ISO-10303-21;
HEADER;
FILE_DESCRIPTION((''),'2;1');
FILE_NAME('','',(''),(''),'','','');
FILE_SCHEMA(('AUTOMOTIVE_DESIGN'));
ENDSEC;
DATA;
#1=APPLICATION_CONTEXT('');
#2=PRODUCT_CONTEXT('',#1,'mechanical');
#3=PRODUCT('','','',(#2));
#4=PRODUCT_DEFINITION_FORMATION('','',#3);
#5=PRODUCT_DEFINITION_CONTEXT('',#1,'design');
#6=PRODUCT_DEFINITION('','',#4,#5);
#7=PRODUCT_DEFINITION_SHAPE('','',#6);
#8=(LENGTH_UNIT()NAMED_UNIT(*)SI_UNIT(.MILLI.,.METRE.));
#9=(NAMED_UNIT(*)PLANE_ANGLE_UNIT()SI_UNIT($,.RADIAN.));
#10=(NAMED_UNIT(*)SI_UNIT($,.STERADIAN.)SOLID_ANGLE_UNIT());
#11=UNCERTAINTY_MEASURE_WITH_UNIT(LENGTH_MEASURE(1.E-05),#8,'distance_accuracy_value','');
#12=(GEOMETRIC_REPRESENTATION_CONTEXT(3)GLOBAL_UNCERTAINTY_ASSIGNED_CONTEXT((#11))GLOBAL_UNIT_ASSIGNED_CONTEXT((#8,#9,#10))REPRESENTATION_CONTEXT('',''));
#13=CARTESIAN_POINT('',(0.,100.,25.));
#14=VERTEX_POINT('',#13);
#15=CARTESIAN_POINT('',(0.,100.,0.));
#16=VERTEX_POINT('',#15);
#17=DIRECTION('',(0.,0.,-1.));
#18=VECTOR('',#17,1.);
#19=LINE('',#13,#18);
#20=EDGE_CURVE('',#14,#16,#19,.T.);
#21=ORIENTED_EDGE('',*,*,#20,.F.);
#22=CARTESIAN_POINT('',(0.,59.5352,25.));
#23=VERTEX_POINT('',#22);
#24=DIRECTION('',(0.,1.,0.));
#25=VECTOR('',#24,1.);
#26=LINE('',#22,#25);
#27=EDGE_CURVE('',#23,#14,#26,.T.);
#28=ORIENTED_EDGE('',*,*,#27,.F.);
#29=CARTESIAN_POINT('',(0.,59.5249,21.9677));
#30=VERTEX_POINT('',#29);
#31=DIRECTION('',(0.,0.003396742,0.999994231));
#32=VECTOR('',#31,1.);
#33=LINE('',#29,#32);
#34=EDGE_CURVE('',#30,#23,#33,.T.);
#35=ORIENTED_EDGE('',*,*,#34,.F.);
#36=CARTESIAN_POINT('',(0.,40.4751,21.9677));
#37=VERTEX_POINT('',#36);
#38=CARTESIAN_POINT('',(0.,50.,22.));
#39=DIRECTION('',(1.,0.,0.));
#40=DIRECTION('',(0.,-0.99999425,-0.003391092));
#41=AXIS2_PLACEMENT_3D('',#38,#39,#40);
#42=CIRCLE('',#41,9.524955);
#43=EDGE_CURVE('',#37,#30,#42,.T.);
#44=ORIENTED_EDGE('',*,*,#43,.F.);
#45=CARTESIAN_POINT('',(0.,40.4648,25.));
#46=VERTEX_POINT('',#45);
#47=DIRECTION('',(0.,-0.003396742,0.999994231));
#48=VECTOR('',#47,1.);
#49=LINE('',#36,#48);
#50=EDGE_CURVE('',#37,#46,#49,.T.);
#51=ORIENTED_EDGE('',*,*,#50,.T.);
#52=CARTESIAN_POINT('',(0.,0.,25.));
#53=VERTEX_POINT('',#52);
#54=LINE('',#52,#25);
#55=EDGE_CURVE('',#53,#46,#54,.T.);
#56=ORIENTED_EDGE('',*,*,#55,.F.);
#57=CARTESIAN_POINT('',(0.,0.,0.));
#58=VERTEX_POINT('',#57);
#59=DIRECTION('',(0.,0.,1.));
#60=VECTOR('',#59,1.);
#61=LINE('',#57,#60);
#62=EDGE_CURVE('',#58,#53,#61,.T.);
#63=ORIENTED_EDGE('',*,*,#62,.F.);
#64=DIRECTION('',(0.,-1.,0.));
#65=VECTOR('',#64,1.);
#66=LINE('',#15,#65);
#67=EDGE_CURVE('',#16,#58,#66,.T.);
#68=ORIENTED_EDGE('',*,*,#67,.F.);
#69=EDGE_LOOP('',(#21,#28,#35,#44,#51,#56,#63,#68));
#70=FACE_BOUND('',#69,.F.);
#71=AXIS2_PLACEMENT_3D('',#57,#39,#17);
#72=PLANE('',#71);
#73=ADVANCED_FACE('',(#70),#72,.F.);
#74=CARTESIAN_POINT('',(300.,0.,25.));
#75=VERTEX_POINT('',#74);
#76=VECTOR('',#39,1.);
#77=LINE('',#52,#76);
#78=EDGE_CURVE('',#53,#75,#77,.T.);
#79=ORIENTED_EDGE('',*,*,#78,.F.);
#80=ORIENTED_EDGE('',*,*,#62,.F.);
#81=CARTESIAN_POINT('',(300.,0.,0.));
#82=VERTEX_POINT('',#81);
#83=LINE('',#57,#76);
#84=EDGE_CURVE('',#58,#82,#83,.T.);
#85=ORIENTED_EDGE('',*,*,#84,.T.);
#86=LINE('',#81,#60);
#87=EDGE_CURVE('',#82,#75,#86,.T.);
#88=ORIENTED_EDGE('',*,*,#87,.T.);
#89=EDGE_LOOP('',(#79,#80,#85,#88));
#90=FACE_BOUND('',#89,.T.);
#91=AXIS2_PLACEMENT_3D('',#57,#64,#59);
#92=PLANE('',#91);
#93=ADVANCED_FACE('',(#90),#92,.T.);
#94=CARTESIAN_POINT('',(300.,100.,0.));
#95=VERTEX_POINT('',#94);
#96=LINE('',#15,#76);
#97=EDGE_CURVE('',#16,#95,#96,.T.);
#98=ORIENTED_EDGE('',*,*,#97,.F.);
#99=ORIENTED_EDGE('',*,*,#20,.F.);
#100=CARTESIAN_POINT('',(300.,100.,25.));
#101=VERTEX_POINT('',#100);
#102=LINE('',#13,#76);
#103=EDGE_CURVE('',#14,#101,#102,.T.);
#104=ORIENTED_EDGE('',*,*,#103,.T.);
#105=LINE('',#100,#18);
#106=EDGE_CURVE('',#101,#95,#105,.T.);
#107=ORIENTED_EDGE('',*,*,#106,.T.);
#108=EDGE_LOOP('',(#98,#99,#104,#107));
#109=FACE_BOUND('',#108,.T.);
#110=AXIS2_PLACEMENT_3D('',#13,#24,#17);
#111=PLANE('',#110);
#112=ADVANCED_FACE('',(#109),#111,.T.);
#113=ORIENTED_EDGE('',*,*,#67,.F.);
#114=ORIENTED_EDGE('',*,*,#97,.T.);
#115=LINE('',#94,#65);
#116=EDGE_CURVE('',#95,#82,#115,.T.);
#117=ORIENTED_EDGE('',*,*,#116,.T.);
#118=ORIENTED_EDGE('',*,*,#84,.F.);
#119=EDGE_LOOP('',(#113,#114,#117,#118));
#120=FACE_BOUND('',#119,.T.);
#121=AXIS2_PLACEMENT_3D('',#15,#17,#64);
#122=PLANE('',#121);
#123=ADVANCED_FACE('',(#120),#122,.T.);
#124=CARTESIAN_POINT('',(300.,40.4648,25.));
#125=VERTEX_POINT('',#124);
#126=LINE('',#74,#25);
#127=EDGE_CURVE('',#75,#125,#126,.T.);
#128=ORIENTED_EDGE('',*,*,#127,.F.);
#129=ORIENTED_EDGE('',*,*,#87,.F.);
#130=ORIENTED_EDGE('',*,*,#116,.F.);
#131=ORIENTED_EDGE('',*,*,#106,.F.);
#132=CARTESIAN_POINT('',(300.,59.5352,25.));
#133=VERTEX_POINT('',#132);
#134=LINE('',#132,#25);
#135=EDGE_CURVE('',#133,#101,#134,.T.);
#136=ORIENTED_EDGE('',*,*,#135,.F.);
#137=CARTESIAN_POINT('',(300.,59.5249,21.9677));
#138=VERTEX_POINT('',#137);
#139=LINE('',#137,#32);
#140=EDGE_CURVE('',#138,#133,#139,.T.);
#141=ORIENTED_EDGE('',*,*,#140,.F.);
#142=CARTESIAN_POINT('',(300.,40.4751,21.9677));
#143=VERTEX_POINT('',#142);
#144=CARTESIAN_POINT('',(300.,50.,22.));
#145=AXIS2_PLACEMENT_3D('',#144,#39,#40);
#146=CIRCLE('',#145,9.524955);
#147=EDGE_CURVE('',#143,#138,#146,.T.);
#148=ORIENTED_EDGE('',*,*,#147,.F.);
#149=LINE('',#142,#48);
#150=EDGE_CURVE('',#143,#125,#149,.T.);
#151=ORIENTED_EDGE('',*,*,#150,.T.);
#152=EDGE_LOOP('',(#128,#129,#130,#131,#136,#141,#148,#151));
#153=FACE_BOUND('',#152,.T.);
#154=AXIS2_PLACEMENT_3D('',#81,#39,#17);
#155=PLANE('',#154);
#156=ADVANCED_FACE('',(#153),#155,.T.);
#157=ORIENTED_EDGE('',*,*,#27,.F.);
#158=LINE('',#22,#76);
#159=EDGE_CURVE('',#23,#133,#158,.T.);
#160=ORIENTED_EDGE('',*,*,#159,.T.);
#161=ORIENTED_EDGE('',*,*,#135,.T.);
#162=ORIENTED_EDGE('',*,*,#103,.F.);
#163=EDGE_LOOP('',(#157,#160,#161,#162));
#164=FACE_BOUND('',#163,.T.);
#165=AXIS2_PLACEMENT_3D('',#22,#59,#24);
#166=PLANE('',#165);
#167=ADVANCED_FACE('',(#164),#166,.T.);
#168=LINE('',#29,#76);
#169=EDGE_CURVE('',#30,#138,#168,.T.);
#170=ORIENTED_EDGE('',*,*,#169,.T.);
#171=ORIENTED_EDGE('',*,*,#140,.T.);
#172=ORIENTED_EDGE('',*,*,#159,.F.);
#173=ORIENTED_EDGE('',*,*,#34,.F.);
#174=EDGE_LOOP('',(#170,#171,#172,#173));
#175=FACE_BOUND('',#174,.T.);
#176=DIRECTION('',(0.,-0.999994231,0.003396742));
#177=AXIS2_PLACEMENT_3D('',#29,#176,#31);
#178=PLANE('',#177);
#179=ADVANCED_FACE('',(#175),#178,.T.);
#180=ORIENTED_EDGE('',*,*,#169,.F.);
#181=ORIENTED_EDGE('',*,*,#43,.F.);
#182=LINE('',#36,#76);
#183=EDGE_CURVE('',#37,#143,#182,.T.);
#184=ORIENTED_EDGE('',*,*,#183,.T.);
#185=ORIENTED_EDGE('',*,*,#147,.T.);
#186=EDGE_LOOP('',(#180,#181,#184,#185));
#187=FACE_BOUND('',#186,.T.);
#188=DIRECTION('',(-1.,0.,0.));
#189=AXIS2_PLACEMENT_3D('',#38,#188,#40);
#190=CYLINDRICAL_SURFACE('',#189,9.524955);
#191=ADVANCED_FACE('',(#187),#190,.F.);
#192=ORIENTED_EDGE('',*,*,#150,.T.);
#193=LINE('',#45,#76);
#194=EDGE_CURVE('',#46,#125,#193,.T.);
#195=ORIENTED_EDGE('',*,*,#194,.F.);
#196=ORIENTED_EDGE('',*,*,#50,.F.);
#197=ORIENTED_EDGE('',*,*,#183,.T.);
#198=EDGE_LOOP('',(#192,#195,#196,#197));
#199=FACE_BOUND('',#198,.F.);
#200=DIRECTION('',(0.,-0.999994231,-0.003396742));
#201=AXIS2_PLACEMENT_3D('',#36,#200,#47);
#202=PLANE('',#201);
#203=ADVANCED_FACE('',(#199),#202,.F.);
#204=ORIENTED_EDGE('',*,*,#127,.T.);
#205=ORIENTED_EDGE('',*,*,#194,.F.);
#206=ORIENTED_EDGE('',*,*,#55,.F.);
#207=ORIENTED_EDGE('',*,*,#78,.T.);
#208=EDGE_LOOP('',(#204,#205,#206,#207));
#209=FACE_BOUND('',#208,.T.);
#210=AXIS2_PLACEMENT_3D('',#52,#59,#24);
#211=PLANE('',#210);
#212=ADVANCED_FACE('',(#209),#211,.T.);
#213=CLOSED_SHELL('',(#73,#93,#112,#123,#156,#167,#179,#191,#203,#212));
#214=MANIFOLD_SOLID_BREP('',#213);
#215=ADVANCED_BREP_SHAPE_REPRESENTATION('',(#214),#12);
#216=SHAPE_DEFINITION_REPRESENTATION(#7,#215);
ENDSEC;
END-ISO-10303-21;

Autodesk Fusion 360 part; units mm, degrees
sketch "Sketch1" plane through (0, 0, 0) normal (1, 0, 0) x (0, 0, -1)
sketch "Sketch2" plane through (0, 0, 0) normal (1, 0, 0) x (0, 0, -1)
sketch "Sketch3" plane through (0, 0, 0) normal (1, 0, 0) x (0, 0, -1)
  line L0 (0, 0) -> (-25, 0)
  line L1 (-25, 100) -> (0, 100)
  line L2 (0, 100) -> (0, 0)
  line L3 (-25, 50) -> (0, 50) construction
  line L4 (-21.9677, 59.5249) -> (-25, 59.5352)
  line L5 (-21.9677, 40.4751) -> (-25, 40.4648)
  arc A0 (-21.9677, 40.4751) -> (-21.9677, 59.5249) centre (-22, 50) ccw
  line L6 (-25, 0) -> (-25, 40.4648)
  line L7 (-25, 59.5352) -> (-25, 100)
  dimension "d1" = 25
  dimension "d2" = 100
  dimension "d3" = 3
  dimension "d4" = 19.05
extrude "Extrude1" add sketch "Sketch3" along normal blind 300
equation "d4 = ( 3 / 4 * 25.4 ) * 1 mm"
